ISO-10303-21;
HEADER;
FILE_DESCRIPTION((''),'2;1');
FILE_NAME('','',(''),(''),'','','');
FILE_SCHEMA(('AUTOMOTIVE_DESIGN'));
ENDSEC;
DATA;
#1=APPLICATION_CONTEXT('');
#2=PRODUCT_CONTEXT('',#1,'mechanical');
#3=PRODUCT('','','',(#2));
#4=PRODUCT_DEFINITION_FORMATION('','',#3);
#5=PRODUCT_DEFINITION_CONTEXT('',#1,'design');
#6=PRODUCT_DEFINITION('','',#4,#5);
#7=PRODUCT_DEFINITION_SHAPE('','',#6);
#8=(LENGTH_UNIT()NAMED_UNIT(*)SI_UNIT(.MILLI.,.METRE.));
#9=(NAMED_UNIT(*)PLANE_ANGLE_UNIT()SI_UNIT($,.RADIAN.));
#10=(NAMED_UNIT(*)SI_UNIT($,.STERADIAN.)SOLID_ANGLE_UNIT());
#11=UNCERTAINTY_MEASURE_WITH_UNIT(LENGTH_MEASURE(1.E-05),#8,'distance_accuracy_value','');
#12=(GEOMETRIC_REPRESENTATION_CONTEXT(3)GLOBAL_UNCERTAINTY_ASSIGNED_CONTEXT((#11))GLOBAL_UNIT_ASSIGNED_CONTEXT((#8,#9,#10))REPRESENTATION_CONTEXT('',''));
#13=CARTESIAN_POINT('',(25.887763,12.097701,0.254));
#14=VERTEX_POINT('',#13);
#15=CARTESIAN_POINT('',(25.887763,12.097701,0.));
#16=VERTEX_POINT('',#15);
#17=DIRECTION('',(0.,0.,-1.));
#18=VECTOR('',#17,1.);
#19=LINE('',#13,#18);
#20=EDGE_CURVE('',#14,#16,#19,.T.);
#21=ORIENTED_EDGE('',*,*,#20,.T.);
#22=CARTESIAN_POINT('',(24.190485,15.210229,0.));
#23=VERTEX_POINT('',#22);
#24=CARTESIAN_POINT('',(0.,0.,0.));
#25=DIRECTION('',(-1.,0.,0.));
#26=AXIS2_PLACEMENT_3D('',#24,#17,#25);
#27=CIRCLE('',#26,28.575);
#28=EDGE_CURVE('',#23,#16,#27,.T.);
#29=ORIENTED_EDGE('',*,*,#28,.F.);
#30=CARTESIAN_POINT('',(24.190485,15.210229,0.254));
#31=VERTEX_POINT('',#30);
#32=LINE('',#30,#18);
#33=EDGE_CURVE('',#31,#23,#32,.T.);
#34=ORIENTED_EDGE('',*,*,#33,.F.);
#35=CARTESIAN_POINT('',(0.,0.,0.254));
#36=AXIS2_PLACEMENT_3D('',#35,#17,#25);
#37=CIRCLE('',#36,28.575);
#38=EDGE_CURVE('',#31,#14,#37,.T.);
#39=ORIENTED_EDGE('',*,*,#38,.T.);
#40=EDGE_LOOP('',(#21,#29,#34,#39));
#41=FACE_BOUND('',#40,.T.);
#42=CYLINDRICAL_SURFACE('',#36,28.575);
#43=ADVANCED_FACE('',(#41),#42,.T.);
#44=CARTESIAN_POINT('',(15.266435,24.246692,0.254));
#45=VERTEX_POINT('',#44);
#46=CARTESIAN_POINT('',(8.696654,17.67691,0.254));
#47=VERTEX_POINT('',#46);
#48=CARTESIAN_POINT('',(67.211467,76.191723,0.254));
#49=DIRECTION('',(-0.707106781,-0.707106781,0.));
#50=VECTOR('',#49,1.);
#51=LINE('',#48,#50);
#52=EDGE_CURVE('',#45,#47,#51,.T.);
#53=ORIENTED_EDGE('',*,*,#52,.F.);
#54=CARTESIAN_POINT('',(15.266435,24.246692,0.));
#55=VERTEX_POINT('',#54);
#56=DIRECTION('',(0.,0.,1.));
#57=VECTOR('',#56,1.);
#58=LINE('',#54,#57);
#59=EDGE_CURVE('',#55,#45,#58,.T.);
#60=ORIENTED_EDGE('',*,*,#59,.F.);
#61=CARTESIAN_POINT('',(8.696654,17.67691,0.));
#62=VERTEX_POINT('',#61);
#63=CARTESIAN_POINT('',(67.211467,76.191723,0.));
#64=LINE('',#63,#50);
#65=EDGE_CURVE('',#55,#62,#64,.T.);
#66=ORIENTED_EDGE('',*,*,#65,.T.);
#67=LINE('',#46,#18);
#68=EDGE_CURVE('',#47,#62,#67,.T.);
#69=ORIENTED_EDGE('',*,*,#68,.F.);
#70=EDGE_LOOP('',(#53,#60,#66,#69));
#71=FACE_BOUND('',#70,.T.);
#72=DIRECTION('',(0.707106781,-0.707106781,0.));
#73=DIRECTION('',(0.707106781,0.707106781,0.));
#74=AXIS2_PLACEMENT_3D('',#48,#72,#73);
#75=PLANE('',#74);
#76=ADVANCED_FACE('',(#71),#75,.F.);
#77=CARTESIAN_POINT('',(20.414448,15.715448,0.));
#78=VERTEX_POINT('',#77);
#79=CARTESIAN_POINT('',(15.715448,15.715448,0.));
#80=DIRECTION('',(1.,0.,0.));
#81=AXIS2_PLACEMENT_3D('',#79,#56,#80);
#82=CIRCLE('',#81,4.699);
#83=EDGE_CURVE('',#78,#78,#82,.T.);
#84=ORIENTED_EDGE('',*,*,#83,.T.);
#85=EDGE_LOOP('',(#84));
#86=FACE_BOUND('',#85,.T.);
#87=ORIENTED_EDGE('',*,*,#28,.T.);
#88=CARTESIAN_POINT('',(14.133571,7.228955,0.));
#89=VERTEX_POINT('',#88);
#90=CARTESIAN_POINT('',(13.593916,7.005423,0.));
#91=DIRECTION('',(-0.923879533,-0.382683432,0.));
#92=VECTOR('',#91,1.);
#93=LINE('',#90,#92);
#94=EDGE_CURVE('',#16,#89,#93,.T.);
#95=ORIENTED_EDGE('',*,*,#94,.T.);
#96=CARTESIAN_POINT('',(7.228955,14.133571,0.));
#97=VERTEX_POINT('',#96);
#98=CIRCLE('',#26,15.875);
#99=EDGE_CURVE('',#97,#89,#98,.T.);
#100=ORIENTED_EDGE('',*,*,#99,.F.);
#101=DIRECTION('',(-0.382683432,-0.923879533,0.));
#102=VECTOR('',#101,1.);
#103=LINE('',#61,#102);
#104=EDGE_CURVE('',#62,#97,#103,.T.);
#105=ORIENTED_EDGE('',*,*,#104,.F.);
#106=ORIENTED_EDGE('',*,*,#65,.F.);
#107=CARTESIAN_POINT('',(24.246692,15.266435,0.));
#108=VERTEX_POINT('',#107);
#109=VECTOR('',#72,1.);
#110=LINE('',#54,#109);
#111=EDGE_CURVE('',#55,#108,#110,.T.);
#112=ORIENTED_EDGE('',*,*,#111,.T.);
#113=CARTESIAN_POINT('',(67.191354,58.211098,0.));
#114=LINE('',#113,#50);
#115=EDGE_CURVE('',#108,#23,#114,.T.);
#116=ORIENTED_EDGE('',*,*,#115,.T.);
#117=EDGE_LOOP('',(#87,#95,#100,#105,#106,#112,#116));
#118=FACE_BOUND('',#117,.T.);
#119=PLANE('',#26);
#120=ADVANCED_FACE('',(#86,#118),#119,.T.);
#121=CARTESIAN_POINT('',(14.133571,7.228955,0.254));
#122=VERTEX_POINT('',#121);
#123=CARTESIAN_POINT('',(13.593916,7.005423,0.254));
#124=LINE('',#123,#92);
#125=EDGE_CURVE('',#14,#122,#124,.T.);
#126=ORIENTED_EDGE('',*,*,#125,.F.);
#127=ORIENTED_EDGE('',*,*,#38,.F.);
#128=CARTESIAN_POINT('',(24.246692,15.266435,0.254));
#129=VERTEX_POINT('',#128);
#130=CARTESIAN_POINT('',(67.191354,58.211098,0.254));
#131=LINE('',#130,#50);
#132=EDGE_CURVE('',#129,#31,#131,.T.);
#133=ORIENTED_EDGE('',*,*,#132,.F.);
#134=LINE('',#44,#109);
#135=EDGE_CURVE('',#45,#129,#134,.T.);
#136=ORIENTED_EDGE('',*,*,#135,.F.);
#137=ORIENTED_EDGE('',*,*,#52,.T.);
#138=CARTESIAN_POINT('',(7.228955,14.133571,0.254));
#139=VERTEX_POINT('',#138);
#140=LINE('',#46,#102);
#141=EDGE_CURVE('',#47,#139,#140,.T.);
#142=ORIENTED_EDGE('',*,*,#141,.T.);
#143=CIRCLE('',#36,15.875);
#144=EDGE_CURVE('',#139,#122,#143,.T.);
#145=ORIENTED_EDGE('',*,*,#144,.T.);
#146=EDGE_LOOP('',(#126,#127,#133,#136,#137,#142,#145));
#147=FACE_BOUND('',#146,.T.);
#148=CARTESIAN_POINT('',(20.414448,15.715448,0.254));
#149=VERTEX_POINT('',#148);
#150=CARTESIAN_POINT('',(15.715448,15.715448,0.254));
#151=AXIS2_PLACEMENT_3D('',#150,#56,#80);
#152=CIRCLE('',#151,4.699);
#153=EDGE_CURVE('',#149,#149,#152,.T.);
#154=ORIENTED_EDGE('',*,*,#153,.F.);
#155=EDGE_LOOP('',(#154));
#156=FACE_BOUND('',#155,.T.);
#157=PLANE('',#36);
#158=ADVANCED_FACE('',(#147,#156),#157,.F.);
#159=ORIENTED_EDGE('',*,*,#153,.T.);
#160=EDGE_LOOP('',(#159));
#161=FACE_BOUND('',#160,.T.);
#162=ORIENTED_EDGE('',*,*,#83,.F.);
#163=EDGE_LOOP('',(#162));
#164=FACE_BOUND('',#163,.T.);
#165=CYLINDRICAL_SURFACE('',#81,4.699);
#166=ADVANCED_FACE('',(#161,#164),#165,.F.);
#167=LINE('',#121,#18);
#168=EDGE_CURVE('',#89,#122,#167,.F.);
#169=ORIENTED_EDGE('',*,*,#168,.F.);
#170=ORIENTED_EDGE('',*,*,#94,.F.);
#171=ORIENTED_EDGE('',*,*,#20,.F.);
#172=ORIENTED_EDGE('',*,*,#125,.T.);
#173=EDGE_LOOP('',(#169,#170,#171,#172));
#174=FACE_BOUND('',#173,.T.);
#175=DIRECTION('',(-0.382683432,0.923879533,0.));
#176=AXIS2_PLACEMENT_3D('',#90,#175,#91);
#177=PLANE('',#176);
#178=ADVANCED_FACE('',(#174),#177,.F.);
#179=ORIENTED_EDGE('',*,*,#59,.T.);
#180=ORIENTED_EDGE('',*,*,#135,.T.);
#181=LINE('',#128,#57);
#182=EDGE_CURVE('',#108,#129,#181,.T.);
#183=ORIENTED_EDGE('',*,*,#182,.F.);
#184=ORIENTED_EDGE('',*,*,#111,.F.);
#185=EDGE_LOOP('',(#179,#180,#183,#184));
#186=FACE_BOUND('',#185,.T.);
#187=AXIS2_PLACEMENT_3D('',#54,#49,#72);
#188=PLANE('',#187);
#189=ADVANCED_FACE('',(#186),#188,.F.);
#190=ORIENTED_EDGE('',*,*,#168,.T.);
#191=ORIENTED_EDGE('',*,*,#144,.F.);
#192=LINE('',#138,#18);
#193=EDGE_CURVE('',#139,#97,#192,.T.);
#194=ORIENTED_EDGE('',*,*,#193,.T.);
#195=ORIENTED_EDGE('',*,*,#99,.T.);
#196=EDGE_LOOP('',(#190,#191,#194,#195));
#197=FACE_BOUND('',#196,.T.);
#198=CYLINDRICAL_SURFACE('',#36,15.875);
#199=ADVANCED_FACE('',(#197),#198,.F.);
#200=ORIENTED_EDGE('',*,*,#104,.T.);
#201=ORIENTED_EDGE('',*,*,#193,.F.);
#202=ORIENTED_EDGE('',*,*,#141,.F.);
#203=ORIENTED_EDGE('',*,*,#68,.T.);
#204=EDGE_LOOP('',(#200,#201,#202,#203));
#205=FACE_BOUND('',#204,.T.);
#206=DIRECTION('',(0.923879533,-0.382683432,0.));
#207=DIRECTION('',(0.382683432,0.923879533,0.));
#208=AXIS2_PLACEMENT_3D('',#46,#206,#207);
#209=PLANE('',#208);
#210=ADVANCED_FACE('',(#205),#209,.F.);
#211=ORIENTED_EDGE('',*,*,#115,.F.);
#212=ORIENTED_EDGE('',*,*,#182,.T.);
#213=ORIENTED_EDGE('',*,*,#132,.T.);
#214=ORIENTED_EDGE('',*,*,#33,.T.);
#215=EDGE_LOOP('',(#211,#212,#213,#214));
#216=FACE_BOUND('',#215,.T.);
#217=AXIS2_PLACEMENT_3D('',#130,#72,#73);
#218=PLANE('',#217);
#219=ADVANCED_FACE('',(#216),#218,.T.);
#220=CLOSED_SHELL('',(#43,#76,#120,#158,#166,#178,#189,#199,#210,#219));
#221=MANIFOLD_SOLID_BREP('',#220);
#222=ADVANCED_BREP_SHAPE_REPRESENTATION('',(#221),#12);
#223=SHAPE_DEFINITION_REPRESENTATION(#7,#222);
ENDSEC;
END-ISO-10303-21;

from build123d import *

# Parameters (mm, degrees)
BOSS_EXTRUDE1_DEPTH = 0.254
SKETCH2_R           = 4.699
CUT_EXTRUDE1_DEPTH  = 1.254
SKETCH3_W           = 2.54
SKETCH3_H           = 0.635
CUT_EXTRUDE2_DEPTH  = 1.254
SKETCH5_OUTSIDE_W   = 121.447
SKETCH5_OUTSIDE_H   = 109.618
CUT_EXTRUDE5_DEPTH  = 1.254


with BuildPart() as part:
    # Sketch1 → Boss-Extrude1 (new body)
    with BuildSketch(Plane.XY):
        with BuildLine():
            Line((67.21146711, 76.191723231), (8.696654013, 17.676910134))
            Line((8.696654013, 17.676910134), (7.228954972, 14.133571205))
            ThreePointArc((7.228954972, 14.133571205), (14.666587579, 6.075099489), (15.105587123, -4.88230096))
            Line((15.105587123, -4.88230096), (18.648926052, -6.35))
            Line((18.648926052, -6.35), (101.401368334, -6.35))
            ThreePointArc((101.401368334, -6.35), (93.866160503, 38.880636728), (67.21146711, 76.191723231))
        make_face()
        with BuildLine():
            Line((88.672924278, 6.35), (27.86051193, 6.35))
            ThreePointArc((27.86051193, 6.35), (26.399857642, 10.93517908), (24.190484974, 15.210228852))
            Line((24.190484974, 15.210228852), (67.191354125, 58.211098004))
            ThreePointArc((67.191354125, 58.211098004), (82.13289044, 34.020557137), (88.672924278, 6.35))
        make_face(mode=Mode.SUBTRACT)
    extrude(amount=BOSS_EXTRUDE1_DEPTH)

    # Sketch2 → Cut-Extrude1 (cut, through all)
    with BuildSketch(Plane.XY.offset(0.254)):
        with Locations((22.225, 0)):
            Circle(SKETCH2_R)
        with Locations((36.195, 0)):
            Circle(SKETCH2_R)
        with Locations((61.722, 0)):
            Circle(SKETCH2_R)
        with Locations((75.692, 0)):
            Circle(SKETCH2_R)
        with Locations((95.25, 0)):
            Circle(SKETCH2_R)
        with Locations((15.715448212, 15.715448212)):
            Circle(SKETCH2_R)
        with Locations((25.593729945, 25.593729945)):
            Circle(SKETCH2_R)
        with Locations((43.644044748, 43.644044748)):
            Circle(SKETCH2_R)
        with Locations((53.522326482, 53.522326482)):
            Circle(SKETCH2_R)
        with Locations((92.004434954, 24.652514046)):
            Circle(SKETCH2_R)
        with Locations((82.48891971, 47.625)):
            Circle(SKETCH2_R)
        with Locations((67.351920908, 67.351920908)):
            Circle(SKETCH2_R)
    extrude(amount=-CUT_EXTRUDE1_DEPTH, mode=Mode.SUBTRACT)

    # Sketch3 → Cut-Extrude2 (cut, through all)
    with BuildSketch(Plane.XY.offset(0.254)):
        Polygon((15.266435406, 24.246691527), (17.06248663, 26.042742751), (17.511499436, 25.593729945), (15.715448212, 23.797678721), align=None)
        Polygon((44.991083167, 53.971339288), (43.195031942, 52.175288063), (43.644044748, 51.726275257), (45.440095973, 53.522326482), align=None)
        with Locations((29.21, -6.0325)):
            Rectangle(SKETCH3_W, SKETCH3_H)
        with Locations((68.707, -6.0325)):
            Rectangle(SKETCH3_W, SKETCH3_H)
        Polygon((29.230733674, 38.210989795), (31.026784898, 40.007041019), (31.475797704, 39.558028213), (29.67974648, 37.761976989), align=None)
        Polygon((56.845021246, 65.825277367), (55.048970022, 64.029226143), (55.497982828, 63.580213337), (57.294034052, 65.376264561), align=None)
        with Locations((48.9585, -6.0325)):
            Rectangle(SKETCH3_W, SKETCH3_H)
        with Locations((85.471, -6.0325)):
            Rectangle(SKETCH3_W, SKETCH3_H)
        Polygon((99.935462164, 14.437711971), (100.266998693, 11.919442024), (101.526133667, 12.085210288), (101.194597138, 14.603480236), align=None)
        Polygon((93.765504959, 37.464305742), (94.938831965, 37.950313702), (93.966816047, 40.296967714), (92.793489041, 39.810959755), align=None)
        Polygon((79.327792988, 62.471156422), (80.874047017, 60.456038938), (81.88160576, 61.229165953), (80.33535173, 63.244283437), align=None)
        Polygon((13.593916116, 7.005422516), (14.565932035, 4.658768503), (15.739259041, 5.144776462), (14.767243123, 7.491430475), align=None)
    extrude(amount=-CUT_EXTRUDE2_DEPTH, mode=Mode.SUBTRACT)

    # Sketch5 outside → Cut-Extrude5 (cut, through all)
    with BuildSketch(Plane.XY.offset(0.254)):
        with Locations((54.4145, 34.921)):
            Rectangle(SKETCH5_OUTSIDE_W, SKETCH5_OUTSIDE_H)
        Polygon((8.194751981, 4.769015505), (26.967984082, 12.545142851), (12.599574288, 26.913552645), (-0.675105435, 13.638872921), align=None, mode=Mode.SUBTRACT)
    extrude(amount=-CUT_EXTRUDE5_DEPTH, mode=Mode.SUBTRACT)


solid = part.part
